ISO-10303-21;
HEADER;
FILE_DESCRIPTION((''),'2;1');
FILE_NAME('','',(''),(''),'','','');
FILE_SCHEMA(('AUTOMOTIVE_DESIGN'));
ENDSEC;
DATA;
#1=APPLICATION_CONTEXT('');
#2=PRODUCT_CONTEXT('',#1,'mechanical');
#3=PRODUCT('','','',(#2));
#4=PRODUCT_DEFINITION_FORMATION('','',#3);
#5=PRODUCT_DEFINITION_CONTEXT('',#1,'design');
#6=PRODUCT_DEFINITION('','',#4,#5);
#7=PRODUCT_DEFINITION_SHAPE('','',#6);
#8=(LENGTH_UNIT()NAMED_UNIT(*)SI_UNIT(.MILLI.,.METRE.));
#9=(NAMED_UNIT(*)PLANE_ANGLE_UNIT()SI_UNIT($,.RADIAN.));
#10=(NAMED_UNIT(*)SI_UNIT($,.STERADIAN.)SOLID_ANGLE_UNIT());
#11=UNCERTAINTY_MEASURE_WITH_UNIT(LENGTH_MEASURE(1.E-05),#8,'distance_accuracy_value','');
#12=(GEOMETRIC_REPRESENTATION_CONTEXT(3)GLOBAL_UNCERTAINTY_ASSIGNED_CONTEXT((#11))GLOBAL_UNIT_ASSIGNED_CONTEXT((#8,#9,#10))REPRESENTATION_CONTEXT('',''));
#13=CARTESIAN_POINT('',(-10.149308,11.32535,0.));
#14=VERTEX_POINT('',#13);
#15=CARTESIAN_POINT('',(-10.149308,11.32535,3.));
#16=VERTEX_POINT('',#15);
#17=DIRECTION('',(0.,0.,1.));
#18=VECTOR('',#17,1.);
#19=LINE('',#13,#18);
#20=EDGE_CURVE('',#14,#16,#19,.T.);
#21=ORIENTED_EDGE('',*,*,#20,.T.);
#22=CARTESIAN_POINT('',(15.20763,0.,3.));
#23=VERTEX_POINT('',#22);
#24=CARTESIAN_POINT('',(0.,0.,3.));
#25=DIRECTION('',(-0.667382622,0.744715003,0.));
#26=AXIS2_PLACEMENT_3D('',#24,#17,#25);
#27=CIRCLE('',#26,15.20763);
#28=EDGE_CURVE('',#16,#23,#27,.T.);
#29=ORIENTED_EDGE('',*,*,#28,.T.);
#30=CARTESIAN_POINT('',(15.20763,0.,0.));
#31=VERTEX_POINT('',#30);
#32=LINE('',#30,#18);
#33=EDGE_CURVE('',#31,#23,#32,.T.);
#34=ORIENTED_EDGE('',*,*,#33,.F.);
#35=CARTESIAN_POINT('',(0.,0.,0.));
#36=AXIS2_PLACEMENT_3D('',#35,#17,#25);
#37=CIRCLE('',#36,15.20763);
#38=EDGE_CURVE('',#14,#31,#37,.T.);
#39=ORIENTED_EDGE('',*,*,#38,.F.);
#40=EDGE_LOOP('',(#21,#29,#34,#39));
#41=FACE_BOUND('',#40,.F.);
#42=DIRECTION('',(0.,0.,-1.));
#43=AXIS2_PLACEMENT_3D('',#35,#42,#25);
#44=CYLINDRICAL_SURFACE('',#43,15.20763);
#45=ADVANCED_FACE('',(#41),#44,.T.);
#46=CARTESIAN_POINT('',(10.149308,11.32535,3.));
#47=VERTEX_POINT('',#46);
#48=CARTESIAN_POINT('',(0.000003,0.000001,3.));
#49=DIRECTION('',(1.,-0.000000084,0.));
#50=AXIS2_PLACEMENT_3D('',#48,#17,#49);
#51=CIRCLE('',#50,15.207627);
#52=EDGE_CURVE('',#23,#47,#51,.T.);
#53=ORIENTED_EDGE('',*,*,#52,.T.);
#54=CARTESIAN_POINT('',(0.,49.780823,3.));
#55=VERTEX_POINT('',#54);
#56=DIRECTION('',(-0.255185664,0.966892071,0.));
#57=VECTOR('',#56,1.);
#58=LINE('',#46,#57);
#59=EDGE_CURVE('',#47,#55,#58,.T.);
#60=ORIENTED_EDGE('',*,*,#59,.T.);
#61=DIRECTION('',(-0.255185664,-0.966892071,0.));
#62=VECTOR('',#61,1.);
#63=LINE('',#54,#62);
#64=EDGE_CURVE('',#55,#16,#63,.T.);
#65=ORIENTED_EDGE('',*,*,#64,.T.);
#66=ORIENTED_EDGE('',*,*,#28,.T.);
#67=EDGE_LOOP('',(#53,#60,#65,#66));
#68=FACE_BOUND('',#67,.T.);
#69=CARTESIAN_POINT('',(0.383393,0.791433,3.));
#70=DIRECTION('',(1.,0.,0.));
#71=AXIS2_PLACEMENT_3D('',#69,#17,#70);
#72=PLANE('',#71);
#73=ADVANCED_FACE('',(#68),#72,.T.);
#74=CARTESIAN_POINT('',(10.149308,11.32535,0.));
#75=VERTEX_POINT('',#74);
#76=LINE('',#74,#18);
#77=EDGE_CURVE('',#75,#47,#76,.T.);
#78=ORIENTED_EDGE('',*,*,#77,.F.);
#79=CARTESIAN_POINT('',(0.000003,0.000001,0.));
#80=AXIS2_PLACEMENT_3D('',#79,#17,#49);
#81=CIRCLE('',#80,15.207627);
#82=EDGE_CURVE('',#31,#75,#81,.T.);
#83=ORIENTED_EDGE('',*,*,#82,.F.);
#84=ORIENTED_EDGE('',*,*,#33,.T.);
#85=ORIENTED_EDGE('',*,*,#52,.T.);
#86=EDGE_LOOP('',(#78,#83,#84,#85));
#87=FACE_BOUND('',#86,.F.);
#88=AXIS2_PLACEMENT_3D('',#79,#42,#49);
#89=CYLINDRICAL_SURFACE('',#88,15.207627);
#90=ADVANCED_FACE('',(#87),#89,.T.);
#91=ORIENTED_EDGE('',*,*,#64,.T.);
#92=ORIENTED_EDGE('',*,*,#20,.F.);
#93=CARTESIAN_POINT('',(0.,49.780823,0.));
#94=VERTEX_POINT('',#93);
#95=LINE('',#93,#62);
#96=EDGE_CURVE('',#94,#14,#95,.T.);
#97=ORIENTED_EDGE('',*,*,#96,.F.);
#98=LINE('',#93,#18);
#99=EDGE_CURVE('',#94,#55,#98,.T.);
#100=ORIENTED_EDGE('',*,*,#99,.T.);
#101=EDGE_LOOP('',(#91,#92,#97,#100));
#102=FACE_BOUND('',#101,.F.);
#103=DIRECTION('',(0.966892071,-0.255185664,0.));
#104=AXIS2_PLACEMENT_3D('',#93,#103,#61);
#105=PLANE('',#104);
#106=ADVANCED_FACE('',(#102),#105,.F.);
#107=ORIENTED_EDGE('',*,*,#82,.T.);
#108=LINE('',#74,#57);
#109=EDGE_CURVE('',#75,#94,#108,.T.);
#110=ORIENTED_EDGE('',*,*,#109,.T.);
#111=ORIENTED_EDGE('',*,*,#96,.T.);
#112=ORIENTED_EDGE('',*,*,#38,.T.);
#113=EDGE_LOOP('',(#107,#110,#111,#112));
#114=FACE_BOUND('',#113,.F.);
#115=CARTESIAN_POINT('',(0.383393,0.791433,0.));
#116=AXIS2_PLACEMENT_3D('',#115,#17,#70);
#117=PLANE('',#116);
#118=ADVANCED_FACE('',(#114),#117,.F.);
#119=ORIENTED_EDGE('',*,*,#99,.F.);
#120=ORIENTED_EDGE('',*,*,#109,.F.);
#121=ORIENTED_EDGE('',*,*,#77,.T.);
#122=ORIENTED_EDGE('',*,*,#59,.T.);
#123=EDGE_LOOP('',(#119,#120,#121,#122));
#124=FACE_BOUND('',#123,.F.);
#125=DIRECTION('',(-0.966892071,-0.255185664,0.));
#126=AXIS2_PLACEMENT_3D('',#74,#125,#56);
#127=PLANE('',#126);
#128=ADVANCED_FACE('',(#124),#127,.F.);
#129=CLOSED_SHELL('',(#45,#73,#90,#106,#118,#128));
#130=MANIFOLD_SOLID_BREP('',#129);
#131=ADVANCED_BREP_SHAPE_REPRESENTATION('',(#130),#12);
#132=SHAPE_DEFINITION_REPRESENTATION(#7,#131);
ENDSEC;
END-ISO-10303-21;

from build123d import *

# Parameters (mm, degrees)
F1_DEPTH = 3


with BuildPart() as f1:
    # F0 (on Top) → F1 (new body)
    with BuildSketch(Plane.XY):
        with BuildLine():
            ThreePointArc((-10.149308, 11.32535), (-6.201818, -13.885585), (15.20763, 0))
            ThreePointArc((15.20763, 0), (13.885585, 6.201818), (10.149308, 11.32535))
            ThreePointArc((10.149308, 11.32535), (0, 15.20763), (-10.149308, 11.32535))
        make_face()
        with BuildLine():
            ThreePointArc((-10.149308, 11.32535), (0, 15.20763), (10.149308, 11.32535))
            Line((10.149308, 11.32535), (0, 49.780823))
            Line((0, 49.780823), (-10.149308, 11.32535))
        make_face()
    extrude(amount=F1_DEPTH)


solid = f1.part
